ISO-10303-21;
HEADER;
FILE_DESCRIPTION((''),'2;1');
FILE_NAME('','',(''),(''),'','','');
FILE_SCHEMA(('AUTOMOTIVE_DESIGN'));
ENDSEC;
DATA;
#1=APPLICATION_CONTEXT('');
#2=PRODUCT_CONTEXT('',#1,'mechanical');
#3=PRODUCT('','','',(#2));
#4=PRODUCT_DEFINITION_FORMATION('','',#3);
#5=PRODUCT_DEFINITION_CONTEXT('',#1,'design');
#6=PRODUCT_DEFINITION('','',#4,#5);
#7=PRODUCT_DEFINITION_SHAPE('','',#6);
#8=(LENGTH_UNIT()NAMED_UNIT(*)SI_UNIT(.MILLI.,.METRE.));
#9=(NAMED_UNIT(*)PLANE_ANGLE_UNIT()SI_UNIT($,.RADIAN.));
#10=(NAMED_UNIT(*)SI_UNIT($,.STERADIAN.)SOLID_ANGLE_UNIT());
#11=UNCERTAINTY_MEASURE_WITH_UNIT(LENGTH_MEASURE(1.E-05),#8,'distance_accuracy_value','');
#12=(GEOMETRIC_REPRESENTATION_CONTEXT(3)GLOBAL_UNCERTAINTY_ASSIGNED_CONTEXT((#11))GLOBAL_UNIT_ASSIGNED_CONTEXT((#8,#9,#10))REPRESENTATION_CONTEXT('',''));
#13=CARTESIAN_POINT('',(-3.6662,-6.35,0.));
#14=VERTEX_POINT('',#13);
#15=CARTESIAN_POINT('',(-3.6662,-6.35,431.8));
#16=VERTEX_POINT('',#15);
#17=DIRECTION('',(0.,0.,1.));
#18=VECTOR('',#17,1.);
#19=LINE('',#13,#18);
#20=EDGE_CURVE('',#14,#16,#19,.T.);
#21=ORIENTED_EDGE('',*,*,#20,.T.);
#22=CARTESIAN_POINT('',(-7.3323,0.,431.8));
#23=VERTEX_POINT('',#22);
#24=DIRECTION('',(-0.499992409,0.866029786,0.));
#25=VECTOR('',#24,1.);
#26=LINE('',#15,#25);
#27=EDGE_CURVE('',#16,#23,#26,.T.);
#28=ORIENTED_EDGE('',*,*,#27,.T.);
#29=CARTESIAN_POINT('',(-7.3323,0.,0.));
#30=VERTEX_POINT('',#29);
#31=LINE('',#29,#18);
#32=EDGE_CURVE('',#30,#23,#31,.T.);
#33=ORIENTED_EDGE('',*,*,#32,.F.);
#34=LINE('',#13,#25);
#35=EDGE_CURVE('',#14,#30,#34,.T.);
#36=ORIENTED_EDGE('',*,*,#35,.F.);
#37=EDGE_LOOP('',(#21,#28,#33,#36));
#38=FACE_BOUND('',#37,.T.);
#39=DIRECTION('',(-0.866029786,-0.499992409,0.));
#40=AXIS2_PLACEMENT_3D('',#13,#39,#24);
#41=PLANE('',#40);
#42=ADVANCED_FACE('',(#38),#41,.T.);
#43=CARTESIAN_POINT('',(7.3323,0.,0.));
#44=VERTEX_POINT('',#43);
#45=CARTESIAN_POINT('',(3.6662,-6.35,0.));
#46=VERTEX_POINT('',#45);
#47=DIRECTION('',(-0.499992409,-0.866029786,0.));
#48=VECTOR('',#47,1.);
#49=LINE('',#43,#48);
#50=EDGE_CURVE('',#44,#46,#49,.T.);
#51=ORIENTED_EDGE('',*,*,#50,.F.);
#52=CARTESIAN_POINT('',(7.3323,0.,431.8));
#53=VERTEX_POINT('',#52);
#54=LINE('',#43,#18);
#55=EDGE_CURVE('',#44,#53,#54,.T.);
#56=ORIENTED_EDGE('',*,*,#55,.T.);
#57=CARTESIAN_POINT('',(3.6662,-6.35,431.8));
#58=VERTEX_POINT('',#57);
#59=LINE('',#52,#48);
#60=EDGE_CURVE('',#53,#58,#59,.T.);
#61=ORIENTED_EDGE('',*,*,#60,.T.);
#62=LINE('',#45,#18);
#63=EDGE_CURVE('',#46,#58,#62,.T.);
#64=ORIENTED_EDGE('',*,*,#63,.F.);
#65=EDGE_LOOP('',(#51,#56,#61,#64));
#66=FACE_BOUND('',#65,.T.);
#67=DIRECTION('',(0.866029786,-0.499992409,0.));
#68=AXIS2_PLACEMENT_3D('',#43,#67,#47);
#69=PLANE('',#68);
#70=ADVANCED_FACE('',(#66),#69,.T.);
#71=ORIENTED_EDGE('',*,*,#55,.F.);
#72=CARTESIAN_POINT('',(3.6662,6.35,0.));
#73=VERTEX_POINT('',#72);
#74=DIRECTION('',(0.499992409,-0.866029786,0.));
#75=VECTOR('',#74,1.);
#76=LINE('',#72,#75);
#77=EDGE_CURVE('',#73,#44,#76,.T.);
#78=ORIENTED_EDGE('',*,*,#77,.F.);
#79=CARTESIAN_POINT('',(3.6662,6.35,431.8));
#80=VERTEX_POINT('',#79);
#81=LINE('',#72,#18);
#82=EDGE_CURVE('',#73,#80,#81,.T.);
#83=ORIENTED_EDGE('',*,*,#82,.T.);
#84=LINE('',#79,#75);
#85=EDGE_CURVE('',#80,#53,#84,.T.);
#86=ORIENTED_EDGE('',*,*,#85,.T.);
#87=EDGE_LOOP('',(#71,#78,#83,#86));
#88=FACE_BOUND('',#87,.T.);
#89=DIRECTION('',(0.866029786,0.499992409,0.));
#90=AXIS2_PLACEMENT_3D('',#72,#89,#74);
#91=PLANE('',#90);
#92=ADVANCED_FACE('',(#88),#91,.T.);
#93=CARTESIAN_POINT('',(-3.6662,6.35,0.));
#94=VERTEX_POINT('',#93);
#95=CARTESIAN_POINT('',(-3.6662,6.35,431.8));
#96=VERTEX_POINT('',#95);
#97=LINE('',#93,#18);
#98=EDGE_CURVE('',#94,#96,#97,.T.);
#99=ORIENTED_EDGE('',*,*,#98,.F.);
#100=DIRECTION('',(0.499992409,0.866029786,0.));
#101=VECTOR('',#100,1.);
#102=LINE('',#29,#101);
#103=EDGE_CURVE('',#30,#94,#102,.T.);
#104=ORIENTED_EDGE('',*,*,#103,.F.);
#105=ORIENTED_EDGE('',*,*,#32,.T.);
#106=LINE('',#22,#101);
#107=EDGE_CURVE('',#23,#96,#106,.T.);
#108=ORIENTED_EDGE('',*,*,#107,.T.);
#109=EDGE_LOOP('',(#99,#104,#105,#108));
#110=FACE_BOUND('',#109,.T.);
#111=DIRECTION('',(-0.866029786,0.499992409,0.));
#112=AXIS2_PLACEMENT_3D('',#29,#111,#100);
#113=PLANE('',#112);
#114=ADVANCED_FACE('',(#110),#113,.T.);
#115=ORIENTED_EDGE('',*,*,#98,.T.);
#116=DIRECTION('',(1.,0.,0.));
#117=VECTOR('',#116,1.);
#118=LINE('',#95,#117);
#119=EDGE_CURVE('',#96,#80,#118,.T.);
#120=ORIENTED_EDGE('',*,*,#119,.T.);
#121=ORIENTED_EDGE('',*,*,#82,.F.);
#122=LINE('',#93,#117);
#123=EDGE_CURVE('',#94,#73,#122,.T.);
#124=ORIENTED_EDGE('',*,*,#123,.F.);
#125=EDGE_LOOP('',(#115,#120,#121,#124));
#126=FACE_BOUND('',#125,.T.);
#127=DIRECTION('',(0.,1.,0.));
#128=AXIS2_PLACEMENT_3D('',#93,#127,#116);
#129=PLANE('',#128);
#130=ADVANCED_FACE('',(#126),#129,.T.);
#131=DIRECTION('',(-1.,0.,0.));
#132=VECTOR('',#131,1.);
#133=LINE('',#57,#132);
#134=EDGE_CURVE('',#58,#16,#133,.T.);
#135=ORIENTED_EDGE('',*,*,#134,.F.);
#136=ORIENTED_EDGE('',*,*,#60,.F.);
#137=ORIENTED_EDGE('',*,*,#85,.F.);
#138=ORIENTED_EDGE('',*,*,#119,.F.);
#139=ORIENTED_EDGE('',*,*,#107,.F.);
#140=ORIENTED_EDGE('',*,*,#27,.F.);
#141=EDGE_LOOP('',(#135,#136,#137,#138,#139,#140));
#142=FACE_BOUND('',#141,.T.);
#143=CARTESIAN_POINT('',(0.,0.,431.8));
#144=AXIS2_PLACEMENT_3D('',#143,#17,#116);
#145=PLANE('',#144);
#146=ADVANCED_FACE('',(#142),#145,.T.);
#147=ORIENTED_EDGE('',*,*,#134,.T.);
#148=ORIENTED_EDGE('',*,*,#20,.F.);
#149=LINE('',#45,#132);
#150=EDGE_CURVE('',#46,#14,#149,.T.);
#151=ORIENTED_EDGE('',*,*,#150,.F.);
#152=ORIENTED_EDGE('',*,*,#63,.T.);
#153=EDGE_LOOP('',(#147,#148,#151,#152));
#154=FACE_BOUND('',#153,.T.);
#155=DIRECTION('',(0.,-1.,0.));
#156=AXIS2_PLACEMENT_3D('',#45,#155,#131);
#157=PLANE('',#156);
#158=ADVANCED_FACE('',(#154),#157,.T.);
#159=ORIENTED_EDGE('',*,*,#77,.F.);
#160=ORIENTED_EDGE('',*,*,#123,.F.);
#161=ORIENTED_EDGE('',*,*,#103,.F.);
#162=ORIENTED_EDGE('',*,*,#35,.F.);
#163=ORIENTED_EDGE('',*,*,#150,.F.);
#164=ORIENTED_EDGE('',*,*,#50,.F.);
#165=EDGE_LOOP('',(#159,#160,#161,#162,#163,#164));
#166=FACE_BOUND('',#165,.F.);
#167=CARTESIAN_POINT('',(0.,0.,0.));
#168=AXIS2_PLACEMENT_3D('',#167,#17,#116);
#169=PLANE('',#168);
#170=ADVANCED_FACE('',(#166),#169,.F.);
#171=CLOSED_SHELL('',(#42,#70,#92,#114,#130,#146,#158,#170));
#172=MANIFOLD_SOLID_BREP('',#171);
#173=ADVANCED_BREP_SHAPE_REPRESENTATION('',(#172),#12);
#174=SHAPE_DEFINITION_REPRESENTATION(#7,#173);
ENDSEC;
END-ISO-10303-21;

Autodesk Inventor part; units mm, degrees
ref_plane "YZ Plane" through (0, 0, 0) normal (1, 0, 0) x (0, 1, 0)
ref_plane "XZ Plane" through (0, 0, 0) normal (0, 1, 0) x (-1, 0, 0)
ref_plane "XY Plane" through (0, 0, 0) normal (0, 0, 1) x (1, 0, 0)
sketch "Sketch1" plane through (0, 0, 0) normal (0, 0, 1) x (1, 0, 0)
  line L0 (3.6662, 6.35) -> (7.3323, 0)
  line L1 (7.3323, 0) -> (3.6662, -6.35)
  line L2 (3.6662, -6.35) -> (-3.6662, -6.35)
  line L3 (-3.6662, -6.35) -> (-7.3323, 0)
  line L4 (-7.3323, 0) -> (-3.6662, 6.35)
  line L5 (-3.6662, 6.35) -> (3.6662, 6.35)
  point P0 (0, 0)
  point P1 (0, 0)
  dimension "d0" = 12.7
extrude "Extrusion1" add sketch "Sketch1" along normal blind 431.8
properties part number "Shaft (Steel 0.500 Hex)" material "Steel"
